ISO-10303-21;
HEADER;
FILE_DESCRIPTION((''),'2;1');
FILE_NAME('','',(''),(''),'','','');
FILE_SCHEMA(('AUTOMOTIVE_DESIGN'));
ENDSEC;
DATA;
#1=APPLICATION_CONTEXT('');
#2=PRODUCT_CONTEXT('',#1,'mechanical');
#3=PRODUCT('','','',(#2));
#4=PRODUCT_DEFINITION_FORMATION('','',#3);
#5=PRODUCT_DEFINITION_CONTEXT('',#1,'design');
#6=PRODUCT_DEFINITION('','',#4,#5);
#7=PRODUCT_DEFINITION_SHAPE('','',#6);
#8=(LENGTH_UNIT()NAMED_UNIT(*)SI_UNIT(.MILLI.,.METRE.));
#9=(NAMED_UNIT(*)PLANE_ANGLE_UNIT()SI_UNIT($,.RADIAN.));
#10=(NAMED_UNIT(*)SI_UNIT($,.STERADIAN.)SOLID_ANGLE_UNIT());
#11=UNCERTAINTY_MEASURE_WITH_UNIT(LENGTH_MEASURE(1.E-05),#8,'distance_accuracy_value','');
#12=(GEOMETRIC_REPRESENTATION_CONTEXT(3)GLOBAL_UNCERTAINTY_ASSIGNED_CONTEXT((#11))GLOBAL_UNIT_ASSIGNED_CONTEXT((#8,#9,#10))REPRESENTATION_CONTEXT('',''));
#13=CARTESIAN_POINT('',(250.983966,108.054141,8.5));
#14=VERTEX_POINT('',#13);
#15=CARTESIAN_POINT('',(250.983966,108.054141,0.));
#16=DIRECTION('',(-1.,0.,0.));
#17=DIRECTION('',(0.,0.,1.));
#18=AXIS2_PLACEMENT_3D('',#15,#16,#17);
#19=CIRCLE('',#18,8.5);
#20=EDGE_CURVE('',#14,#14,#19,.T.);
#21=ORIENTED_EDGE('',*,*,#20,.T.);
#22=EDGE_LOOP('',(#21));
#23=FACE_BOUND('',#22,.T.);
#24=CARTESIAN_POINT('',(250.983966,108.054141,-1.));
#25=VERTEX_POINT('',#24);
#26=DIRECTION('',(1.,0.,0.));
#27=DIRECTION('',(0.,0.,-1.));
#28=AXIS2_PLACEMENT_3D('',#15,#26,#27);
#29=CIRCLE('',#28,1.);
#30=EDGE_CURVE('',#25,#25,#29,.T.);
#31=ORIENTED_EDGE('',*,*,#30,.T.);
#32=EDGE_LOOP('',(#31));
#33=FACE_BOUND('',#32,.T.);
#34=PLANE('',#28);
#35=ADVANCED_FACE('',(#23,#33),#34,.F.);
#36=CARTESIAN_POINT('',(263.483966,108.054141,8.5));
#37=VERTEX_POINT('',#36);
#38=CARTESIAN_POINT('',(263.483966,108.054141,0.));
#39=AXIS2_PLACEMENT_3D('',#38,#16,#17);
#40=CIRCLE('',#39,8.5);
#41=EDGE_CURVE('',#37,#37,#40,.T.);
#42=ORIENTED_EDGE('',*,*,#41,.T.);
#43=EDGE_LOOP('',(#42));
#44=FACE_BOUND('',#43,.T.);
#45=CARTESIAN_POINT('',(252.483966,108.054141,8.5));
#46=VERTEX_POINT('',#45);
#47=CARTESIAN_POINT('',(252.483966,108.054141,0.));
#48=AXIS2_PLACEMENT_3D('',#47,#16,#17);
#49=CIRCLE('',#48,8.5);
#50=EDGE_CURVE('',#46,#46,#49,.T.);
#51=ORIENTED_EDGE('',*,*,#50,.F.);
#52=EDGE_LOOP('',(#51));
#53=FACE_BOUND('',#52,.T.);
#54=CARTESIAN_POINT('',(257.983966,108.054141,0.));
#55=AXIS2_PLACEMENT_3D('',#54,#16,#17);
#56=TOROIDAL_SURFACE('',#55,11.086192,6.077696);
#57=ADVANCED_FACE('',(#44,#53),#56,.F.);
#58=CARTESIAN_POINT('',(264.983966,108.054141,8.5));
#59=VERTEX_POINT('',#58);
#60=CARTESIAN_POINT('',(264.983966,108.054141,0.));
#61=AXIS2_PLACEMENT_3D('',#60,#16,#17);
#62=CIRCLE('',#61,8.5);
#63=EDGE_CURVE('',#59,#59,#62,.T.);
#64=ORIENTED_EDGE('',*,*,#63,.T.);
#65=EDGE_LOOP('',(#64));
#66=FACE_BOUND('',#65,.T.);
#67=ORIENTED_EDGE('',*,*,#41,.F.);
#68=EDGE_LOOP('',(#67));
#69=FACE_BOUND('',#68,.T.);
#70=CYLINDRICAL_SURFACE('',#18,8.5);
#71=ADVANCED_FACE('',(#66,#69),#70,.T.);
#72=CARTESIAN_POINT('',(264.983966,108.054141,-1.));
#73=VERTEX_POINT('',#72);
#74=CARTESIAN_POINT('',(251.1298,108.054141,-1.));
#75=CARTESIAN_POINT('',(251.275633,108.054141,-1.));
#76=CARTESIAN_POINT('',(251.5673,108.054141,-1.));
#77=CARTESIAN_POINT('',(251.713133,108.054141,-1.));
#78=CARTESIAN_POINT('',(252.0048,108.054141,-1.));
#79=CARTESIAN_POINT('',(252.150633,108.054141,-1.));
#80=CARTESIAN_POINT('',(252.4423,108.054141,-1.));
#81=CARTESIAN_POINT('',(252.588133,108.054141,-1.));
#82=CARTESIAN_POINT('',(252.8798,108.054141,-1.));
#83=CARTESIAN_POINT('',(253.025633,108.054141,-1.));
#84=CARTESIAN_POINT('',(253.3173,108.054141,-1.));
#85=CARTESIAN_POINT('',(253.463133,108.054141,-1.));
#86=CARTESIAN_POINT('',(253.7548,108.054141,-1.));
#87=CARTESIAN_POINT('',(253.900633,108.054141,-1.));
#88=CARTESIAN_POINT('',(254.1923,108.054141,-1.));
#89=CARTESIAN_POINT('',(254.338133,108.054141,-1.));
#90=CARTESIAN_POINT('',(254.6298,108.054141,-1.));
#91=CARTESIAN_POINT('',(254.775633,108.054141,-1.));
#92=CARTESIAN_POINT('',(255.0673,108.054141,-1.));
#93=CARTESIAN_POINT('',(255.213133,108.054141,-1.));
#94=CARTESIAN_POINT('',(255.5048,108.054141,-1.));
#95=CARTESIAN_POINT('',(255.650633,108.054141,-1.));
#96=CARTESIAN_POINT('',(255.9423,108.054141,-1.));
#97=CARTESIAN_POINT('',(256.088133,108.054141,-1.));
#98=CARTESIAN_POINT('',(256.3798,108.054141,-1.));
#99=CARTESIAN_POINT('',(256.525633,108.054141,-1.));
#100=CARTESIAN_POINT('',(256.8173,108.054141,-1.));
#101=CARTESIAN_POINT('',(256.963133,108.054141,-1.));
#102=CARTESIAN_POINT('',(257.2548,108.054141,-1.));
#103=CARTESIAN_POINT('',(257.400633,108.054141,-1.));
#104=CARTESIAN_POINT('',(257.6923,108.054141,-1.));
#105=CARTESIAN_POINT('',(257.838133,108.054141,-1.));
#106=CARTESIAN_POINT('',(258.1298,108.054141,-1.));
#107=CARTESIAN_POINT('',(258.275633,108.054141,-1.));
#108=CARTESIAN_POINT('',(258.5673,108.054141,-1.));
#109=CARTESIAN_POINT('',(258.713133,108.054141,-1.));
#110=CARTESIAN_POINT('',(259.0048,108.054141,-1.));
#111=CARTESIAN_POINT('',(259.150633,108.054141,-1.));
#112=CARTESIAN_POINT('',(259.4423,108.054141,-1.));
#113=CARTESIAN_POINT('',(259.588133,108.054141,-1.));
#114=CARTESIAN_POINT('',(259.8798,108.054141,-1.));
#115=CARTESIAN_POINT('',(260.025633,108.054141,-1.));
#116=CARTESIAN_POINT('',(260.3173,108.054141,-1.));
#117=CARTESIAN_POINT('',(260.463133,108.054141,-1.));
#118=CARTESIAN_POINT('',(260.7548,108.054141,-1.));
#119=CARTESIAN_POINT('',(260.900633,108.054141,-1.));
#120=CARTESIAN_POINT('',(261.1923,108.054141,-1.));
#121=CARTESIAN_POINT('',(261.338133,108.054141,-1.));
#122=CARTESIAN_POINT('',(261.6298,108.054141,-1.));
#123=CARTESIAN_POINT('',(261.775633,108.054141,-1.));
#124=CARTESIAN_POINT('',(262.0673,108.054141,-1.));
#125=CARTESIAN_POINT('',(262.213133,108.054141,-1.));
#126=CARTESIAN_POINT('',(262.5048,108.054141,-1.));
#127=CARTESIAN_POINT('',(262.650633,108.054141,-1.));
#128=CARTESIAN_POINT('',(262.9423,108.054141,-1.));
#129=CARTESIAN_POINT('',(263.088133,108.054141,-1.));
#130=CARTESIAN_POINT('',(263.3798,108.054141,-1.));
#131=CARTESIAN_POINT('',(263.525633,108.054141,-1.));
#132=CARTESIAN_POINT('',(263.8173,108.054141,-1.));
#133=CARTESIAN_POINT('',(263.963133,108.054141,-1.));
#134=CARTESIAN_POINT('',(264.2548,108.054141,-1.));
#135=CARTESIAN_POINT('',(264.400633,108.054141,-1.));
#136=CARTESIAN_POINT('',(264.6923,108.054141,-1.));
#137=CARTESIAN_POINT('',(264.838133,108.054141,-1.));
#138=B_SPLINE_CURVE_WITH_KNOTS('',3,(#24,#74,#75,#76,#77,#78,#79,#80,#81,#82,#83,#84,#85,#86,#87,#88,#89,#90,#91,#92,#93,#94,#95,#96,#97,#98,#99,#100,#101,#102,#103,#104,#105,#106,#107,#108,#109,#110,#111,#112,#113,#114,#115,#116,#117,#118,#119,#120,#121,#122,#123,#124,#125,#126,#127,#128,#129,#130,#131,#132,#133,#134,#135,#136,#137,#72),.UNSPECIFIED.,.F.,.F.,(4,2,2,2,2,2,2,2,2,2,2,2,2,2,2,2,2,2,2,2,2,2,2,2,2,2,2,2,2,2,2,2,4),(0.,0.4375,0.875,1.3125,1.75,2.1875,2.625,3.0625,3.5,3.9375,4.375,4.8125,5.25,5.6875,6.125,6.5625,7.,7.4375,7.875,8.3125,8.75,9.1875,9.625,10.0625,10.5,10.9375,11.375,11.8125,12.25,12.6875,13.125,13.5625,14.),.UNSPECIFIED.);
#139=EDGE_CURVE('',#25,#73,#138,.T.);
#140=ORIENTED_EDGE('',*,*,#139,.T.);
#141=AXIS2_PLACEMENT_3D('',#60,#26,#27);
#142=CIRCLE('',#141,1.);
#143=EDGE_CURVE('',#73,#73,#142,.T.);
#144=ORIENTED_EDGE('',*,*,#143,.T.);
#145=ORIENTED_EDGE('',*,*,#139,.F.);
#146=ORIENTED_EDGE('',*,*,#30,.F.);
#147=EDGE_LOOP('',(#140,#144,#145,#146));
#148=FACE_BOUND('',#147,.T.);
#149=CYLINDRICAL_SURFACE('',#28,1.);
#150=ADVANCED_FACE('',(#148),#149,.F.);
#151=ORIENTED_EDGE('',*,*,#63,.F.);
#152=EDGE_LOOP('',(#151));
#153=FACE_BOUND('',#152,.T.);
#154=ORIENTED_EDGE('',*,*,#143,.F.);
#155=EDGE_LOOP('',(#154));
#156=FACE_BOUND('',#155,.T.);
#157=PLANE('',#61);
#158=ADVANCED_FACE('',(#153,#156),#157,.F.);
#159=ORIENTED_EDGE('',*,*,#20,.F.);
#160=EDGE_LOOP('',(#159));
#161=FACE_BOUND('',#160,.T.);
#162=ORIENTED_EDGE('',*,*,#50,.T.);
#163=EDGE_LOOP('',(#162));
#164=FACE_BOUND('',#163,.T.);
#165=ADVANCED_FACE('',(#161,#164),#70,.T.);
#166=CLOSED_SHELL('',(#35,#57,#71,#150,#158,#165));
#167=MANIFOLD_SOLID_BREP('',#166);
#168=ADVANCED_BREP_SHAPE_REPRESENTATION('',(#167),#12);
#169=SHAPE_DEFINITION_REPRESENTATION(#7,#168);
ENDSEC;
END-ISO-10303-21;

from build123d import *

# Parameters (mm, degrees)
SKETCH_2_R          = 1
CUT_EXTRUDE_1_DEPTH = 118.699268779


with BuildPart() as part:
    # 草图1 → 旋转1 (revolve)
    with BuildSketch(Plane.XY, mode=Mode.PRIVATE) as revolve_1_sk:
        with BuildLine():
            Line((250.983966236, 108.054141373), (264.983966236, 108.054141373))
            Line((264.983966236, 108.054141373), (264.983966236, 116.554141373))
            Line((264.983966236, 116.554141373), (263.483966236, 116.554141373))
            ThreePointArc((263.483966236, 116.554141373), (257.983966236, 113.062637125), (252.483966236, 116.554141373))
            Line((252.483966236, 116.554141373), (250.983966236, 116.554141373))
            Line((250.983966236, 116.554141373), (250.983966236, 108.054141373))
        make_face()
    revolve(revolve_1_sk.sketch.rotate(Axis((250.983966236, 108.054141373, 0), (1, 0, 0)), 90), axis=Axis((250.983966236, 108.054141373, 0), (1, 0, 0)))

    # 草图2 → 切除-拉伸1 (cut, through all)
    with BuildSketch(Plane(origin=(264.983966236, 0, 0), x_dir=(0, 0, -1), z_dir=(1, 0, 0))):
        with Locations((0, 108.054141373)):
            Circle(SKETCH_2_R)
    extrude(amount=-CUT_EXTRUDE_1_DEPTH, mode=Mode.SUBTRACT)


solid = part.part
